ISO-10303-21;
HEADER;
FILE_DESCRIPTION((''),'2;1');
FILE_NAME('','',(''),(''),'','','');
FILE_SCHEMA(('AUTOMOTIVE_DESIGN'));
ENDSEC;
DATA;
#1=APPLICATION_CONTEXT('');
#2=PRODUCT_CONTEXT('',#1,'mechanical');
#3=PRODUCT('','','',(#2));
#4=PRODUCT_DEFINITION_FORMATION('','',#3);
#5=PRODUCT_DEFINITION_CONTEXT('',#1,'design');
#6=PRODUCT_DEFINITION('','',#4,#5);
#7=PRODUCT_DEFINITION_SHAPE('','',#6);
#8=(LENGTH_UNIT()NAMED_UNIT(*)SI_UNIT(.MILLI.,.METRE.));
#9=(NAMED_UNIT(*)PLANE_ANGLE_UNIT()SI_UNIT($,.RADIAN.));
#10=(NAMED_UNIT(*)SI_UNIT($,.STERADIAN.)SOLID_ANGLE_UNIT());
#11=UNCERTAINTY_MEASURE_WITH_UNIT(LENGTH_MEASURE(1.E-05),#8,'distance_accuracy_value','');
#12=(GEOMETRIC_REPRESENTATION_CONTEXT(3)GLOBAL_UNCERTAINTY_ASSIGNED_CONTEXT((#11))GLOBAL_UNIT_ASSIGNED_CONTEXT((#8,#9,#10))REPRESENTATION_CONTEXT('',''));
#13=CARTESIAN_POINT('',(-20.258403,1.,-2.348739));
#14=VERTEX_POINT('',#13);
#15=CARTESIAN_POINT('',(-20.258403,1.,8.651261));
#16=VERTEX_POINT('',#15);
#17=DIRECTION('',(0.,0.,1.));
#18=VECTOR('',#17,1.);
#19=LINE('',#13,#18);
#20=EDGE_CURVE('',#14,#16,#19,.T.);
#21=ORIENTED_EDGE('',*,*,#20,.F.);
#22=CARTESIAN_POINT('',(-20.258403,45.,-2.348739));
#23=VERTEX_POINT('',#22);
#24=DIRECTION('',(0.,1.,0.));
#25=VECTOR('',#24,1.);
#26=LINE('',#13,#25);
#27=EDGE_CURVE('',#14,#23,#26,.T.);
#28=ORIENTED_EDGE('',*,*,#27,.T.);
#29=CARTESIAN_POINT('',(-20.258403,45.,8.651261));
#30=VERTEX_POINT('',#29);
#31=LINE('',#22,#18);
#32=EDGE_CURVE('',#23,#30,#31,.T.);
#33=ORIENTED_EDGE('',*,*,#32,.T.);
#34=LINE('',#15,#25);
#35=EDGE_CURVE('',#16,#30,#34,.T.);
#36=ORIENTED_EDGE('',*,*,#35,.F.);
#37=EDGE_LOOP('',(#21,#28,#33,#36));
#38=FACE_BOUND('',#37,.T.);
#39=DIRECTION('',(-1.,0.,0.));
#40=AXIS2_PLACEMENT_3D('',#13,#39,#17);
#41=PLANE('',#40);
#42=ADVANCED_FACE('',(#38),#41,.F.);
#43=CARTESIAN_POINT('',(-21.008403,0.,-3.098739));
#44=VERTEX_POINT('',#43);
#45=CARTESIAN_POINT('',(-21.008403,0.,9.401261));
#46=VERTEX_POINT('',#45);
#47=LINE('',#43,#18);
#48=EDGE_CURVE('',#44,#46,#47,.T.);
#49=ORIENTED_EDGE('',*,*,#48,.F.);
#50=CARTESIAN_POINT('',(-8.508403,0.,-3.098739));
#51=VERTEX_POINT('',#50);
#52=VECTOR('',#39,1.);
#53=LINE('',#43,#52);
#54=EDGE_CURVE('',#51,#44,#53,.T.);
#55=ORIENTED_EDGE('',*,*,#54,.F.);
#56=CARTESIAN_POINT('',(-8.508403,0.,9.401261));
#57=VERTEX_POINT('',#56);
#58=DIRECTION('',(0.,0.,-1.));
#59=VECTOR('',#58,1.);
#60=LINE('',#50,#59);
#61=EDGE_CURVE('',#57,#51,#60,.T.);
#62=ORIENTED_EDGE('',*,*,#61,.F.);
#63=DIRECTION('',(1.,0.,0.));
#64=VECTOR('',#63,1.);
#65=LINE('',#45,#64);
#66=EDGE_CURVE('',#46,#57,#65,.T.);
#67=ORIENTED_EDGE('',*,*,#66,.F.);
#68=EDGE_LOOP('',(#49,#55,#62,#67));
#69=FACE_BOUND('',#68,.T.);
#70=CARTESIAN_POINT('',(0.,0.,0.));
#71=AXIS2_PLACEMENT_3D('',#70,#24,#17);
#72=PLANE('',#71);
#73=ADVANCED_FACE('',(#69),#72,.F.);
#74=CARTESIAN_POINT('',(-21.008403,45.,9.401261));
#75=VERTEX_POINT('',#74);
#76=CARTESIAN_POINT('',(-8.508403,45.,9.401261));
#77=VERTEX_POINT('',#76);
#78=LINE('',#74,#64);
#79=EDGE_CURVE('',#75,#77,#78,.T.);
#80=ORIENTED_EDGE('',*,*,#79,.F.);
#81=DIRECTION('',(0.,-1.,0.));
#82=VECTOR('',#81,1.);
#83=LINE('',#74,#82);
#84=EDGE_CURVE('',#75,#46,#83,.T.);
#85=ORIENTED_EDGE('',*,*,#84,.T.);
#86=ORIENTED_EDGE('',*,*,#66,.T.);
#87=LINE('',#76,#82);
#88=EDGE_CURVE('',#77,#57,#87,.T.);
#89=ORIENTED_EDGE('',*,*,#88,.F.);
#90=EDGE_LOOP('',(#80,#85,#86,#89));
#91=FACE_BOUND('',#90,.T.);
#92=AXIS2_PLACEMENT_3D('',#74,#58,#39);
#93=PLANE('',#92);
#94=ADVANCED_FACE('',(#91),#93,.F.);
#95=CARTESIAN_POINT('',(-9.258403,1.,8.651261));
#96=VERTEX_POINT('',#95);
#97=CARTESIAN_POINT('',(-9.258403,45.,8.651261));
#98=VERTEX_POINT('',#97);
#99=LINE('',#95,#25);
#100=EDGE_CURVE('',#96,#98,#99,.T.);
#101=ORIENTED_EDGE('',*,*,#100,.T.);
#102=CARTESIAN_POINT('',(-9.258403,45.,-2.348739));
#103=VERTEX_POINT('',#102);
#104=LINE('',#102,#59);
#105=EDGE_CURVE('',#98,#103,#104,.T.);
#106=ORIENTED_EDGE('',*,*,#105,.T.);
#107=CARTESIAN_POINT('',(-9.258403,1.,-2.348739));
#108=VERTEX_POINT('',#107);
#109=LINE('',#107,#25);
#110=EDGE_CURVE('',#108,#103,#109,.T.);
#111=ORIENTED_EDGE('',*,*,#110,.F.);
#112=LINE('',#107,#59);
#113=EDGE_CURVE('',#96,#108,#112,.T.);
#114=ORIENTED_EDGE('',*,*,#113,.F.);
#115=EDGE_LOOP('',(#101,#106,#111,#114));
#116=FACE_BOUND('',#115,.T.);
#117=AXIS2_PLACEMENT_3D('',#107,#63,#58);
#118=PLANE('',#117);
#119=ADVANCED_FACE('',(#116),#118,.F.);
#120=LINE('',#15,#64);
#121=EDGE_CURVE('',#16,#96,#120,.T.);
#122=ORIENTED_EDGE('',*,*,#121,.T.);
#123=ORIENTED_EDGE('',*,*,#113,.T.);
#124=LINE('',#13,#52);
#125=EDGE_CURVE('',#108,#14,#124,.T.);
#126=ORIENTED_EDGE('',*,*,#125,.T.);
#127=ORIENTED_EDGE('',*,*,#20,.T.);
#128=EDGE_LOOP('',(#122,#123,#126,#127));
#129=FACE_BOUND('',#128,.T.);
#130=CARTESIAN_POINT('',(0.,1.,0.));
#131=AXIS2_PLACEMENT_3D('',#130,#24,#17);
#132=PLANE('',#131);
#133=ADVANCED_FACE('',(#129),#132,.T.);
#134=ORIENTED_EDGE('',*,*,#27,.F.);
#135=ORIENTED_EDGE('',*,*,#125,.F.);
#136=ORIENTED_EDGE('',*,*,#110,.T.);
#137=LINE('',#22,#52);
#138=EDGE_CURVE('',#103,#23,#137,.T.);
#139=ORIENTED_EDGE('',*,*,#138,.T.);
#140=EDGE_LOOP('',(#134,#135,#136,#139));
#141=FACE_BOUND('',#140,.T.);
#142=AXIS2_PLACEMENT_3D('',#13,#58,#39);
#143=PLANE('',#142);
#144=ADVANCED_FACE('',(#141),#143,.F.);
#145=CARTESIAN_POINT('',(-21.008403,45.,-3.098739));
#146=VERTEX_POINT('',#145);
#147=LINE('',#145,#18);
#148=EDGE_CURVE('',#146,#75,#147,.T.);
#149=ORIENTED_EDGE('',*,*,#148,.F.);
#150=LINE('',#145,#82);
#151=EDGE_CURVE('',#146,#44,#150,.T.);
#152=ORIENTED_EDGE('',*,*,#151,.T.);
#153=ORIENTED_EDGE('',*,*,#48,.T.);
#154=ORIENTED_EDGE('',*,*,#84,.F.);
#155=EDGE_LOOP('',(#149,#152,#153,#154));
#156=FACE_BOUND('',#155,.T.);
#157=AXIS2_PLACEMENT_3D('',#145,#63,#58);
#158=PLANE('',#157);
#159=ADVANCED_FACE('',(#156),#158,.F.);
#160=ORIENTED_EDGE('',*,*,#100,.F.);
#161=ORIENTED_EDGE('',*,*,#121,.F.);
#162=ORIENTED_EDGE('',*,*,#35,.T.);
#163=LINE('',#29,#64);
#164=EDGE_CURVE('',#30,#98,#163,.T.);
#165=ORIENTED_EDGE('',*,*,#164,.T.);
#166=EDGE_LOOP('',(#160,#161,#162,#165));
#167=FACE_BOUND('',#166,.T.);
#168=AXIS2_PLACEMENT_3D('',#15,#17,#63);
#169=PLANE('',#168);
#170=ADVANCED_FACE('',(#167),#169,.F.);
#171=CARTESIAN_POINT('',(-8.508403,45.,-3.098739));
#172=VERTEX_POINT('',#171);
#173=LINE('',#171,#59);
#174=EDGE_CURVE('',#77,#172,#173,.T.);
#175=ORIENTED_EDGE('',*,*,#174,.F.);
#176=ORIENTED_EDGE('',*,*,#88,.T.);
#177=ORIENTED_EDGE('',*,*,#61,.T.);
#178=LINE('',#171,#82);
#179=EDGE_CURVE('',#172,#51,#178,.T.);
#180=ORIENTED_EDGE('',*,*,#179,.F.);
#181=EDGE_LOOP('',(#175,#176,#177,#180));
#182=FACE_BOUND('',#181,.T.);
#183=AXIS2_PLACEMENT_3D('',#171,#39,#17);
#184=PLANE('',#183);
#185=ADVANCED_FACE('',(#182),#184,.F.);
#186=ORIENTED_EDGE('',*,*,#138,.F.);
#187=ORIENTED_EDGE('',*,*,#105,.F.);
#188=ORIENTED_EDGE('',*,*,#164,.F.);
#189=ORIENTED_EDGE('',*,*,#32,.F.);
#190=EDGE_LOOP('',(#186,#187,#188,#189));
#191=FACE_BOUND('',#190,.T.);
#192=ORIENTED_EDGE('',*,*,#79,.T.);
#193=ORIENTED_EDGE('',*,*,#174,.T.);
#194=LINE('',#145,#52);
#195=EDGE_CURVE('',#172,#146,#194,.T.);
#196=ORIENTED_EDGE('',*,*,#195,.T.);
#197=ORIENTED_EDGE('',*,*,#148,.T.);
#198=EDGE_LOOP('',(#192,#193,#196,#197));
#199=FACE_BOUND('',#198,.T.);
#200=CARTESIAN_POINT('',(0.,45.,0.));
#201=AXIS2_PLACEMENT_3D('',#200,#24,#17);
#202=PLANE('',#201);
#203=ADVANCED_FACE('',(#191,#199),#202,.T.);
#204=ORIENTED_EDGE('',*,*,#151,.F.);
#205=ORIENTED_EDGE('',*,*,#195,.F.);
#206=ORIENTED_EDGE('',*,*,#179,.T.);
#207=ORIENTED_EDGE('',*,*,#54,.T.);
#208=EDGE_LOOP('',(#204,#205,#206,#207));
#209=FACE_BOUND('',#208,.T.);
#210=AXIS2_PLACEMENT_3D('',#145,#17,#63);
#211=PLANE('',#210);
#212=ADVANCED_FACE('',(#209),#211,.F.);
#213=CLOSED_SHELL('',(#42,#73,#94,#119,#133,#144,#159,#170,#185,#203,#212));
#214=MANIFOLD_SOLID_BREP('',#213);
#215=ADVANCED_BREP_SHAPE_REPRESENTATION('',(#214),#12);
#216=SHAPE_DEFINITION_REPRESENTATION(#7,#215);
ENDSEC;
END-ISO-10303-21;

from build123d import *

# Parameters (mm, degrees)
SKETCH1_W           = 12.5
SKETCH1_H           = 12.5
BOSS_EXTRUDE1_DEPTH = 45
SKETCH2_W           = 11
SKETCH2_H           = 11
CUT_EXTRUDE2_DEPTH  = 44


with BuildPart() as part:
    # Sketch1 → Boss-Extrude1 (new body)
    with BuildSketch(Plane(origin=(0, 0, 0), x_dir=(1, 0, 0), z_dir=(0, 1, 0))):
        with Locations((-14.758403361, -3.151260504)):
            Rectangle(SKETCH1_W, SKETCH1_H)
    extrude(amount=BOSS_EXTRUDE1_DEPTH)

    # Sketch2 → Cut-Extrude2 (cut)
    with BuildSketch(Plane(origin=(0, 45, 0), x_dir=(1, 0, 0), z_dir=(0, 1, 0))):
        with Locations((-14.758403361, -3.151260504)):
            Rectangle(SKETCH2_W, SKETCH2_H)
    extrude(amount=-CUT_EXTRUDE2_DEPTH, mode=Mode.SUBTRACT)


solid = part.part
